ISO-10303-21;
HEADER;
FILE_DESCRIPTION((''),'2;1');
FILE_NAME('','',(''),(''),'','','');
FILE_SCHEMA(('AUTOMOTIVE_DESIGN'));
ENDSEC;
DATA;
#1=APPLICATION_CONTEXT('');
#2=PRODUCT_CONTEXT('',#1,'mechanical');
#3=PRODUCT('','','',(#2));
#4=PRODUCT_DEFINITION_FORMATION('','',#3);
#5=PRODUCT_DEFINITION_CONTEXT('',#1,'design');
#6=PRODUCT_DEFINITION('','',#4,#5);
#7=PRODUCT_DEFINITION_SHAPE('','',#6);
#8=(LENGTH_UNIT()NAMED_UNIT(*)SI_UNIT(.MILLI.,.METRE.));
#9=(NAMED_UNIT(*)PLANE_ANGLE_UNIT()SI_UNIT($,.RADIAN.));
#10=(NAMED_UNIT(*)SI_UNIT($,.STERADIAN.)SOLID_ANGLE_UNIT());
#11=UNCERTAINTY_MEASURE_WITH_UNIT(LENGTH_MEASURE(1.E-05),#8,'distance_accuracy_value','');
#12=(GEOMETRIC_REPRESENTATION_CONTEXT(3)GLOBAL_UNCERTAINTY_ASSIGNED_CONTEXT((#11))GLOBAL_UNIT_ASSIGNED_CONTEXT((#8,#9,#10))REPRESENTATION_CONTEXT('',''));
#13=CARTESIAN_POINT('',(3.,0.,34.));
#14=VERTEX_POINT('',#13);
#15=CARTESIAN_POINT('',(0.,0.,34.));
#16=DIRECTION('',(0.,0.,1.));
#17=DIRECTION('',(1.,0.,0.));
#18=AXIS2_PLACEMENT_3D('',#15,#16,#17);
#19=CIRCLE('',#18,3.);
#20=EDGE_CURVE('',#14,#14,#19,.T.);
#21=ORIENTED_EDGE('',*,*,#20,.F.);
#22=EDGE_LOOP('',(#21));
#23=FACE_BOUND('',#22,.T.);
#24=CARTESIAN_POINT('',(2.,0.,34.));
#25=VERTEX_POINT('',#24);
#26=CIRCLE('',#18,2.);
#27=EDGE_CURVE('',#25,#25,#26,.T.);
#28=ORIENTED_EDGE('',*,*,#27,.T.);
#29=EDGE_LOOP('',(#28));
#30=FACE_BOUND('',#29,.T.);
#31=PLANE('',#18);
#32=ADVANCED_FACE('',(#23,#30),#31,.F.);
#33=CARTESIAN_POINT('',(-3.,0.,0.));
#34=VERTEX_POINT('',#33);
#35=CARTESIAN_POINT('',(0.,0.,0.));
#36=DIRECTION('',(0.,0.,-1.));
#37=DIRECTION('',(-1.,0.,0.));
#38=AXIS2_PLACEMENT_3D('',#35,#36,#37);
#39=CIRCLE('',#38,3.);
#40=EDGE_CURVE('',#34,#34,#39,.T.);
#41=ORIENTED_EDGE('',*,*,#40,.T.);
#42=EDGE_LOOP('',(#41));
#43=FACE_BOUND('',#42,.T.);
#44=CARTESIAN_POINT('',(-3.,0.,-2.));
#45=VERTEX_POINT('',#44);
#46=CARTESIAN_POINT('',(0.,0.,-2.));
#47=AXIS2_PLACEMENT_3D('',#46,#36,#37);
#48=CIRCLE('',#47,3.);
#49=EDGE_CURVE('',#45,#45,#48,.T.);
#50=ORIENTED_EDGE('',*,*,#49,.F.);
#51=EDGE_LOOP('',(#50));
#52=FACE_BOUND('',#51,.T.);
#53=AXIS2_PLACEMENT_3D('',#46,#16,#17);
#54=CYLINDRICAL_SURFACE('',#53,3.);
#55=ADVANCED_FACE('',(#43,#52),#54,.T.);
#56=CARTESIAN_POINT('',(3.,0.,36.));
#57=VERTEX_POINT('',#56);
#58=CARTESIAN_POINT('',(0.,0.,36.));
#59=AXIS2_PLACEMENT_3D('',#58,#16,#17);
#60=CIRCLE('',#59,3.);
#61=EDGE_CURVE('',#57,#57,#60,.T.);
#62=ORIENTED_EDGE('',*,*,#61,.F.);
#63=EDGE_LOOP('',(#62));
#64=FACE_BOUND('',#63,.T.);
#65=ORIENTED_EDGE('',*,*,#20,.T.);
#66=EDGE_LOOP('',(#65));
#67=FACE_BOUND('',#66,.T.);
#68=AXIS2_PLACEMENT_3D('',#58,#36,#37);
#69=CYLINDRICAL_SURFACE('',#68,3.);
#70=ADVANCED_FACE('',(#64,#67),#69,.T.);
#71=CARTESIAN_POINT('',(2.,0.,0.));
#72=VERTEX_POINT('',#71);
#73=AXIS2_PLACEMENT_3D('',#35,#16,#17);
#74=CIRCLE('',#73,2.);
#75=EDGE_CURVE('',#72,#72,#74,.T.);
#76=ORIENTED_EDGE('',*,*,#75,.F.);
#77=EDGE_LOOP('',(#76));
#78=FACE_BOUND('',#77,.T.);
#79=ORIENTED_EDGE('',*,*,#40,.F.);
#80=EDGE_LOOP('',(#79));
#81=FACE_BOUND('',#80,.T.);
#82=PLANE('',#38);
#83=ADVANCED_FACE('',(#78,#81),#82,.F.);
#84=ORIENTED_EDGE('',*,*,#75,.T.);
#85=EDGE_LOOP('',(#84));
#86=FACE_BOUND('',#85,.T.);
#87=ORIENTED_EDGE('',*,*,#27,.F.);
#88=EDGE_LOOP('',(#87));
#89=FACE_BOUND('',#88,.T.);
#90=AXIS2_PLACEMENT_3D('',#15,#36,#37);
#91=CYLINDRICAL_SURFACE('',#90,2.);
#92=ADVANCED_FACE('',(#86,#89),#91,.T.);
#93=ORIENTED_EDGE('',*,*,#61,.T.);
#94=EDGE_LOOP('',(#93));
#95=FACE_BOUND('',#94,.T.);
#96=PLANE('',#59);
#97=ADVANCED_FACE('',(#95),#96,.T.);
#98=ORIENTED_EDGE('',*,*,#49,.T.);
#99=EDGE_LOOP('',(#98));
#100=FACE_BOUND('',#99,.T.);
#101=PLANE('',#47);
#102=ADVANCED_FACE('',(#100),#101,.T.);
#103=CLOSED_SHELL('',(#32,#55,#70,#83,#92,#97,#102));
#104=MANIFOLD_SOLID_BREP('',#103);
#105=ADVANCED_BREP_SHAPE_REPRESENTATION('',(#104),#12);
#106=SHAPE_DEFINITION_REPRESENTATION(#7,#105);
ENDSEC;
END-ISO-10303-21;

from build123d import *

# Parameters (mm, degrees)
SKETCH2_R           = 2
BOSS_EXTRUDE1_DEPTH = 34
SKETCH3_R           = 3
BOSS_EXTRUDE2_DEPTH = 2
SKETCH4_R           = 3
BOSS_EXTRUDE3_DEPTH = 2


with BuildPart() as part:
    # Sketch2 → Boss-Extrude1 (new body)
    with BuildSketch(Plane.XY):
        Circle(SKETCH2_R)
    extrude(amount=BOSS_EXTRUDE1_DEPTH)

    # Sketch3 → Boss-Extrude2 (add)
    with BuildSketch(Plane.XY.offset(34)):
        Circle(SKETCH3_R)
    extrude(amount=BOSS_EXTRUDE2_DEPTH)

    # Sketch4 → Boss-Extrude3 (add)
    with BuildSketch(Plane(origin=(0, 0, 0), x_dir=(-1, 0, 0), z_dir=(0, 0, -1))):
        Circle(SKETCH4_R)
    extrude(amount=BOSS_EXTRUDE3_DEPTH)


solid = part.part
